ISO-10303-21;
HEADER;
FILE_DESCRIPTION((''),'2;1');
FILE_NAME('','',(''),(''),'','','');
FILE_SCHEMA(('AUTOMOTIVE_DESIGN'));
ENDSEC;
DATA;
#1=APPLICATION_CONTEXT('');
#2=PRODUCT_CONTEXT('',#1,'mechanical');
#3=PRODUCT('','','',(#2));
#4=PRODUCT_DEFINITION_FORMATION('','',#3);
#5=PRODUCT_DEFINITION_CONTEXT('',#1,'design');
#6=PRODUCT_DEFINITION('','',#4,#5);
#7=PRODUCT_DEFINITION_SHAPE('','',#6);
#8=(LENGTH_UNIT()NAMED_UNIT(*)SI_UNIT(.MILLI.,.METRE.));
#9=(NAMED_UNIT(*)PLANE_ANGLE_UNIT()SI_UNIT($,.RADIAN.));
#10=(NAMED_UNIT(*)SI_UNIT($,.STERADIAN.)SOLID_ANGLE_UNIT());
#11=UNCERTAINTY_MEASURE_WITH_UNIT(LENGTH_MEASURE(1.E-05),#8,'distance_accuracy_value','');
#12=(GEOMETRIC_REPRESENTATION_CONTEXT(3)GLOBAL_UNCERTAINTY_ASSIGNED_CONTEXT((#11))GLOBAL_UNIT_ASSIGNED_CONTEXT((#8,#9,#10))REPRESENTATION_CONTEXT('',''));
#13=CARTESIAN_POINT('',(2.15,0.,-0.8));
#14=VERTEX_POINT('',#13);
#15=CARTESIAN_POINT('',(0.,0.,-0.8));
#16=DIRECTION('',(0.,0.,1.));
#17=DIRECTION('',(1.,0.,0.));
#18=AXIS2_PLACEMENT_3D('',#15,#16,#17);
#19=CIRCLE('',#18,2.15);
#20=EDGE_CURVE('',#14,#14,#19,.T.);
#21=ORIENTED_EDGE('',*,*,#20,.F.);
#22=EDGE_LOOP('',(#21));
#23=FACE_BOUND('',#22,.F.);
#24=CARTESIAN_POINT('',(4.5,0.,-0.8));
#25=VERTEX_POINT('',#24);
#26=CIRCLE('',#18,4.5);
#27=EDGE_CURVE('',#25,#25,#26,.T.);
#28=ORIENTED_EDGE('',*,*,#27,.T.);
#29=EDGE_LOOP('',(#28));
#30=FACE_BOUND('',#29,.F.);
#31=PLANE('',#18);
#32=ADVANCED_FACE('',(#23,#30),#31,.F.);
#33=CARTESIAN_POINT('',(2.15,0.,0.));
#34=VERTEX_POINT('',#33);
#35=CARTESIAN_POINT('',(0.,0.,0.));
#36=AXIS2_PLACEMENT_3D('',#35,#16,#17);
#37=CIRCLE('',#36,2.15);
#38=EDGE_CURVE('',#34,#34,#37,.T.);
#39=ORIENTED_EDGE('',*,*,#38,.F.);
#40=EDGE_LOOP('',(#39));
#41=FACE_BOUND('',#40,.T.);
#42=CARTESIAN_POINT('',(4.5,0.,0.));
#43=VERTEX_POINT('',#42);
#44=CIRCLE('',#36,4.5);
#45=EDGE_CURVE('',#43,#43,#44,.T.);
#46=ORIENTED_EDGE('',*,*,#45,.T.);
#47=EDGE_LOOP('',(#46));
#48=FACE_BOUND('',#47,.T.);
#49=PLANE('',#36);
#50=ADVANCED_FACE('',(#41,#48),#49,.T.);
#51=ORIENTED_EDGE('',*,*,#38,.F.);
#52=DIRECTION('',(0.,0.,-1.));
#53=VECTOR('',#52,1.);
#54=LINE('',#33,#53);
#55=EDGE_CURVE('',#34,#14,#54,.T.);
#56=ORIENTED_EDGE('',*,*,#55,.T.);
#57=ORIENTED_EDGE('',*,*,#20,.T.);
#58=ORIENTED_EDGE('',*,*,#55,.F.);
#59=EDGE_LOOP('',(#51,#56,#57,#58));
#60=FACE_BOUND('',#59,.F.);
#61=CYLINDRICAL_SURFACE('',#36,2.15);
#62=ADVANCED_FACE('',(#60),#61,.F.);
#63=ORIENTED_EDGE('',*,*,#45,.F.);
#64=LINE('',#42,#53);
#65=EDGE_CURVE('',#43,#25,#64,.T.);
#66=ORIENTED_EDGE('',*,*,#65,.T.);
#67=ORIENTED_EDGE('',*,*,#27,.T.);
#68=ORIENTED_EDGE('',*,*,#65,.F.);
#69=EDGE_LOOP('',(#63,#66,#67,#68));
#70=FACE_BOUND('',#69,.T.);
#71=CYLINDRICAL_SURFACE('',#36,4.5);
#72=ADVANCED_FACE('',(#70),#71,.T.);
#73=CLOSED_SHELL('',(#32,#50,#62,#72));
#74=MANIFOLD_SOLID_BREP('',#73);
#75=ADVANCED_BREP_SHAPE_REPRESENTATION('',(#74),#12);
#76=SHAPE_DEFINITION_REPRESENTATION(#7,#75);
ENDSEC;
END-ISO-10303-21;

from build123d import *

# Parameters (mm, degrees)
SKETCH1_R          = 4.5
SKETCH1_R_2        = 2.15
BASE_EXTRUDE_DEPTH = 0.8


with BuildPart() as part:
    # Sketch1 → Base-Extrude (new body)
    with BuildSketch(Plane.XY):
        Circle(SKETCH1_R)
        Circle(SKETCH1_R_2, mode=Mode.SUBTRACT)
    extrude(amount=-BASE_EXTRUDE_DEPTH)


solid = part.part
